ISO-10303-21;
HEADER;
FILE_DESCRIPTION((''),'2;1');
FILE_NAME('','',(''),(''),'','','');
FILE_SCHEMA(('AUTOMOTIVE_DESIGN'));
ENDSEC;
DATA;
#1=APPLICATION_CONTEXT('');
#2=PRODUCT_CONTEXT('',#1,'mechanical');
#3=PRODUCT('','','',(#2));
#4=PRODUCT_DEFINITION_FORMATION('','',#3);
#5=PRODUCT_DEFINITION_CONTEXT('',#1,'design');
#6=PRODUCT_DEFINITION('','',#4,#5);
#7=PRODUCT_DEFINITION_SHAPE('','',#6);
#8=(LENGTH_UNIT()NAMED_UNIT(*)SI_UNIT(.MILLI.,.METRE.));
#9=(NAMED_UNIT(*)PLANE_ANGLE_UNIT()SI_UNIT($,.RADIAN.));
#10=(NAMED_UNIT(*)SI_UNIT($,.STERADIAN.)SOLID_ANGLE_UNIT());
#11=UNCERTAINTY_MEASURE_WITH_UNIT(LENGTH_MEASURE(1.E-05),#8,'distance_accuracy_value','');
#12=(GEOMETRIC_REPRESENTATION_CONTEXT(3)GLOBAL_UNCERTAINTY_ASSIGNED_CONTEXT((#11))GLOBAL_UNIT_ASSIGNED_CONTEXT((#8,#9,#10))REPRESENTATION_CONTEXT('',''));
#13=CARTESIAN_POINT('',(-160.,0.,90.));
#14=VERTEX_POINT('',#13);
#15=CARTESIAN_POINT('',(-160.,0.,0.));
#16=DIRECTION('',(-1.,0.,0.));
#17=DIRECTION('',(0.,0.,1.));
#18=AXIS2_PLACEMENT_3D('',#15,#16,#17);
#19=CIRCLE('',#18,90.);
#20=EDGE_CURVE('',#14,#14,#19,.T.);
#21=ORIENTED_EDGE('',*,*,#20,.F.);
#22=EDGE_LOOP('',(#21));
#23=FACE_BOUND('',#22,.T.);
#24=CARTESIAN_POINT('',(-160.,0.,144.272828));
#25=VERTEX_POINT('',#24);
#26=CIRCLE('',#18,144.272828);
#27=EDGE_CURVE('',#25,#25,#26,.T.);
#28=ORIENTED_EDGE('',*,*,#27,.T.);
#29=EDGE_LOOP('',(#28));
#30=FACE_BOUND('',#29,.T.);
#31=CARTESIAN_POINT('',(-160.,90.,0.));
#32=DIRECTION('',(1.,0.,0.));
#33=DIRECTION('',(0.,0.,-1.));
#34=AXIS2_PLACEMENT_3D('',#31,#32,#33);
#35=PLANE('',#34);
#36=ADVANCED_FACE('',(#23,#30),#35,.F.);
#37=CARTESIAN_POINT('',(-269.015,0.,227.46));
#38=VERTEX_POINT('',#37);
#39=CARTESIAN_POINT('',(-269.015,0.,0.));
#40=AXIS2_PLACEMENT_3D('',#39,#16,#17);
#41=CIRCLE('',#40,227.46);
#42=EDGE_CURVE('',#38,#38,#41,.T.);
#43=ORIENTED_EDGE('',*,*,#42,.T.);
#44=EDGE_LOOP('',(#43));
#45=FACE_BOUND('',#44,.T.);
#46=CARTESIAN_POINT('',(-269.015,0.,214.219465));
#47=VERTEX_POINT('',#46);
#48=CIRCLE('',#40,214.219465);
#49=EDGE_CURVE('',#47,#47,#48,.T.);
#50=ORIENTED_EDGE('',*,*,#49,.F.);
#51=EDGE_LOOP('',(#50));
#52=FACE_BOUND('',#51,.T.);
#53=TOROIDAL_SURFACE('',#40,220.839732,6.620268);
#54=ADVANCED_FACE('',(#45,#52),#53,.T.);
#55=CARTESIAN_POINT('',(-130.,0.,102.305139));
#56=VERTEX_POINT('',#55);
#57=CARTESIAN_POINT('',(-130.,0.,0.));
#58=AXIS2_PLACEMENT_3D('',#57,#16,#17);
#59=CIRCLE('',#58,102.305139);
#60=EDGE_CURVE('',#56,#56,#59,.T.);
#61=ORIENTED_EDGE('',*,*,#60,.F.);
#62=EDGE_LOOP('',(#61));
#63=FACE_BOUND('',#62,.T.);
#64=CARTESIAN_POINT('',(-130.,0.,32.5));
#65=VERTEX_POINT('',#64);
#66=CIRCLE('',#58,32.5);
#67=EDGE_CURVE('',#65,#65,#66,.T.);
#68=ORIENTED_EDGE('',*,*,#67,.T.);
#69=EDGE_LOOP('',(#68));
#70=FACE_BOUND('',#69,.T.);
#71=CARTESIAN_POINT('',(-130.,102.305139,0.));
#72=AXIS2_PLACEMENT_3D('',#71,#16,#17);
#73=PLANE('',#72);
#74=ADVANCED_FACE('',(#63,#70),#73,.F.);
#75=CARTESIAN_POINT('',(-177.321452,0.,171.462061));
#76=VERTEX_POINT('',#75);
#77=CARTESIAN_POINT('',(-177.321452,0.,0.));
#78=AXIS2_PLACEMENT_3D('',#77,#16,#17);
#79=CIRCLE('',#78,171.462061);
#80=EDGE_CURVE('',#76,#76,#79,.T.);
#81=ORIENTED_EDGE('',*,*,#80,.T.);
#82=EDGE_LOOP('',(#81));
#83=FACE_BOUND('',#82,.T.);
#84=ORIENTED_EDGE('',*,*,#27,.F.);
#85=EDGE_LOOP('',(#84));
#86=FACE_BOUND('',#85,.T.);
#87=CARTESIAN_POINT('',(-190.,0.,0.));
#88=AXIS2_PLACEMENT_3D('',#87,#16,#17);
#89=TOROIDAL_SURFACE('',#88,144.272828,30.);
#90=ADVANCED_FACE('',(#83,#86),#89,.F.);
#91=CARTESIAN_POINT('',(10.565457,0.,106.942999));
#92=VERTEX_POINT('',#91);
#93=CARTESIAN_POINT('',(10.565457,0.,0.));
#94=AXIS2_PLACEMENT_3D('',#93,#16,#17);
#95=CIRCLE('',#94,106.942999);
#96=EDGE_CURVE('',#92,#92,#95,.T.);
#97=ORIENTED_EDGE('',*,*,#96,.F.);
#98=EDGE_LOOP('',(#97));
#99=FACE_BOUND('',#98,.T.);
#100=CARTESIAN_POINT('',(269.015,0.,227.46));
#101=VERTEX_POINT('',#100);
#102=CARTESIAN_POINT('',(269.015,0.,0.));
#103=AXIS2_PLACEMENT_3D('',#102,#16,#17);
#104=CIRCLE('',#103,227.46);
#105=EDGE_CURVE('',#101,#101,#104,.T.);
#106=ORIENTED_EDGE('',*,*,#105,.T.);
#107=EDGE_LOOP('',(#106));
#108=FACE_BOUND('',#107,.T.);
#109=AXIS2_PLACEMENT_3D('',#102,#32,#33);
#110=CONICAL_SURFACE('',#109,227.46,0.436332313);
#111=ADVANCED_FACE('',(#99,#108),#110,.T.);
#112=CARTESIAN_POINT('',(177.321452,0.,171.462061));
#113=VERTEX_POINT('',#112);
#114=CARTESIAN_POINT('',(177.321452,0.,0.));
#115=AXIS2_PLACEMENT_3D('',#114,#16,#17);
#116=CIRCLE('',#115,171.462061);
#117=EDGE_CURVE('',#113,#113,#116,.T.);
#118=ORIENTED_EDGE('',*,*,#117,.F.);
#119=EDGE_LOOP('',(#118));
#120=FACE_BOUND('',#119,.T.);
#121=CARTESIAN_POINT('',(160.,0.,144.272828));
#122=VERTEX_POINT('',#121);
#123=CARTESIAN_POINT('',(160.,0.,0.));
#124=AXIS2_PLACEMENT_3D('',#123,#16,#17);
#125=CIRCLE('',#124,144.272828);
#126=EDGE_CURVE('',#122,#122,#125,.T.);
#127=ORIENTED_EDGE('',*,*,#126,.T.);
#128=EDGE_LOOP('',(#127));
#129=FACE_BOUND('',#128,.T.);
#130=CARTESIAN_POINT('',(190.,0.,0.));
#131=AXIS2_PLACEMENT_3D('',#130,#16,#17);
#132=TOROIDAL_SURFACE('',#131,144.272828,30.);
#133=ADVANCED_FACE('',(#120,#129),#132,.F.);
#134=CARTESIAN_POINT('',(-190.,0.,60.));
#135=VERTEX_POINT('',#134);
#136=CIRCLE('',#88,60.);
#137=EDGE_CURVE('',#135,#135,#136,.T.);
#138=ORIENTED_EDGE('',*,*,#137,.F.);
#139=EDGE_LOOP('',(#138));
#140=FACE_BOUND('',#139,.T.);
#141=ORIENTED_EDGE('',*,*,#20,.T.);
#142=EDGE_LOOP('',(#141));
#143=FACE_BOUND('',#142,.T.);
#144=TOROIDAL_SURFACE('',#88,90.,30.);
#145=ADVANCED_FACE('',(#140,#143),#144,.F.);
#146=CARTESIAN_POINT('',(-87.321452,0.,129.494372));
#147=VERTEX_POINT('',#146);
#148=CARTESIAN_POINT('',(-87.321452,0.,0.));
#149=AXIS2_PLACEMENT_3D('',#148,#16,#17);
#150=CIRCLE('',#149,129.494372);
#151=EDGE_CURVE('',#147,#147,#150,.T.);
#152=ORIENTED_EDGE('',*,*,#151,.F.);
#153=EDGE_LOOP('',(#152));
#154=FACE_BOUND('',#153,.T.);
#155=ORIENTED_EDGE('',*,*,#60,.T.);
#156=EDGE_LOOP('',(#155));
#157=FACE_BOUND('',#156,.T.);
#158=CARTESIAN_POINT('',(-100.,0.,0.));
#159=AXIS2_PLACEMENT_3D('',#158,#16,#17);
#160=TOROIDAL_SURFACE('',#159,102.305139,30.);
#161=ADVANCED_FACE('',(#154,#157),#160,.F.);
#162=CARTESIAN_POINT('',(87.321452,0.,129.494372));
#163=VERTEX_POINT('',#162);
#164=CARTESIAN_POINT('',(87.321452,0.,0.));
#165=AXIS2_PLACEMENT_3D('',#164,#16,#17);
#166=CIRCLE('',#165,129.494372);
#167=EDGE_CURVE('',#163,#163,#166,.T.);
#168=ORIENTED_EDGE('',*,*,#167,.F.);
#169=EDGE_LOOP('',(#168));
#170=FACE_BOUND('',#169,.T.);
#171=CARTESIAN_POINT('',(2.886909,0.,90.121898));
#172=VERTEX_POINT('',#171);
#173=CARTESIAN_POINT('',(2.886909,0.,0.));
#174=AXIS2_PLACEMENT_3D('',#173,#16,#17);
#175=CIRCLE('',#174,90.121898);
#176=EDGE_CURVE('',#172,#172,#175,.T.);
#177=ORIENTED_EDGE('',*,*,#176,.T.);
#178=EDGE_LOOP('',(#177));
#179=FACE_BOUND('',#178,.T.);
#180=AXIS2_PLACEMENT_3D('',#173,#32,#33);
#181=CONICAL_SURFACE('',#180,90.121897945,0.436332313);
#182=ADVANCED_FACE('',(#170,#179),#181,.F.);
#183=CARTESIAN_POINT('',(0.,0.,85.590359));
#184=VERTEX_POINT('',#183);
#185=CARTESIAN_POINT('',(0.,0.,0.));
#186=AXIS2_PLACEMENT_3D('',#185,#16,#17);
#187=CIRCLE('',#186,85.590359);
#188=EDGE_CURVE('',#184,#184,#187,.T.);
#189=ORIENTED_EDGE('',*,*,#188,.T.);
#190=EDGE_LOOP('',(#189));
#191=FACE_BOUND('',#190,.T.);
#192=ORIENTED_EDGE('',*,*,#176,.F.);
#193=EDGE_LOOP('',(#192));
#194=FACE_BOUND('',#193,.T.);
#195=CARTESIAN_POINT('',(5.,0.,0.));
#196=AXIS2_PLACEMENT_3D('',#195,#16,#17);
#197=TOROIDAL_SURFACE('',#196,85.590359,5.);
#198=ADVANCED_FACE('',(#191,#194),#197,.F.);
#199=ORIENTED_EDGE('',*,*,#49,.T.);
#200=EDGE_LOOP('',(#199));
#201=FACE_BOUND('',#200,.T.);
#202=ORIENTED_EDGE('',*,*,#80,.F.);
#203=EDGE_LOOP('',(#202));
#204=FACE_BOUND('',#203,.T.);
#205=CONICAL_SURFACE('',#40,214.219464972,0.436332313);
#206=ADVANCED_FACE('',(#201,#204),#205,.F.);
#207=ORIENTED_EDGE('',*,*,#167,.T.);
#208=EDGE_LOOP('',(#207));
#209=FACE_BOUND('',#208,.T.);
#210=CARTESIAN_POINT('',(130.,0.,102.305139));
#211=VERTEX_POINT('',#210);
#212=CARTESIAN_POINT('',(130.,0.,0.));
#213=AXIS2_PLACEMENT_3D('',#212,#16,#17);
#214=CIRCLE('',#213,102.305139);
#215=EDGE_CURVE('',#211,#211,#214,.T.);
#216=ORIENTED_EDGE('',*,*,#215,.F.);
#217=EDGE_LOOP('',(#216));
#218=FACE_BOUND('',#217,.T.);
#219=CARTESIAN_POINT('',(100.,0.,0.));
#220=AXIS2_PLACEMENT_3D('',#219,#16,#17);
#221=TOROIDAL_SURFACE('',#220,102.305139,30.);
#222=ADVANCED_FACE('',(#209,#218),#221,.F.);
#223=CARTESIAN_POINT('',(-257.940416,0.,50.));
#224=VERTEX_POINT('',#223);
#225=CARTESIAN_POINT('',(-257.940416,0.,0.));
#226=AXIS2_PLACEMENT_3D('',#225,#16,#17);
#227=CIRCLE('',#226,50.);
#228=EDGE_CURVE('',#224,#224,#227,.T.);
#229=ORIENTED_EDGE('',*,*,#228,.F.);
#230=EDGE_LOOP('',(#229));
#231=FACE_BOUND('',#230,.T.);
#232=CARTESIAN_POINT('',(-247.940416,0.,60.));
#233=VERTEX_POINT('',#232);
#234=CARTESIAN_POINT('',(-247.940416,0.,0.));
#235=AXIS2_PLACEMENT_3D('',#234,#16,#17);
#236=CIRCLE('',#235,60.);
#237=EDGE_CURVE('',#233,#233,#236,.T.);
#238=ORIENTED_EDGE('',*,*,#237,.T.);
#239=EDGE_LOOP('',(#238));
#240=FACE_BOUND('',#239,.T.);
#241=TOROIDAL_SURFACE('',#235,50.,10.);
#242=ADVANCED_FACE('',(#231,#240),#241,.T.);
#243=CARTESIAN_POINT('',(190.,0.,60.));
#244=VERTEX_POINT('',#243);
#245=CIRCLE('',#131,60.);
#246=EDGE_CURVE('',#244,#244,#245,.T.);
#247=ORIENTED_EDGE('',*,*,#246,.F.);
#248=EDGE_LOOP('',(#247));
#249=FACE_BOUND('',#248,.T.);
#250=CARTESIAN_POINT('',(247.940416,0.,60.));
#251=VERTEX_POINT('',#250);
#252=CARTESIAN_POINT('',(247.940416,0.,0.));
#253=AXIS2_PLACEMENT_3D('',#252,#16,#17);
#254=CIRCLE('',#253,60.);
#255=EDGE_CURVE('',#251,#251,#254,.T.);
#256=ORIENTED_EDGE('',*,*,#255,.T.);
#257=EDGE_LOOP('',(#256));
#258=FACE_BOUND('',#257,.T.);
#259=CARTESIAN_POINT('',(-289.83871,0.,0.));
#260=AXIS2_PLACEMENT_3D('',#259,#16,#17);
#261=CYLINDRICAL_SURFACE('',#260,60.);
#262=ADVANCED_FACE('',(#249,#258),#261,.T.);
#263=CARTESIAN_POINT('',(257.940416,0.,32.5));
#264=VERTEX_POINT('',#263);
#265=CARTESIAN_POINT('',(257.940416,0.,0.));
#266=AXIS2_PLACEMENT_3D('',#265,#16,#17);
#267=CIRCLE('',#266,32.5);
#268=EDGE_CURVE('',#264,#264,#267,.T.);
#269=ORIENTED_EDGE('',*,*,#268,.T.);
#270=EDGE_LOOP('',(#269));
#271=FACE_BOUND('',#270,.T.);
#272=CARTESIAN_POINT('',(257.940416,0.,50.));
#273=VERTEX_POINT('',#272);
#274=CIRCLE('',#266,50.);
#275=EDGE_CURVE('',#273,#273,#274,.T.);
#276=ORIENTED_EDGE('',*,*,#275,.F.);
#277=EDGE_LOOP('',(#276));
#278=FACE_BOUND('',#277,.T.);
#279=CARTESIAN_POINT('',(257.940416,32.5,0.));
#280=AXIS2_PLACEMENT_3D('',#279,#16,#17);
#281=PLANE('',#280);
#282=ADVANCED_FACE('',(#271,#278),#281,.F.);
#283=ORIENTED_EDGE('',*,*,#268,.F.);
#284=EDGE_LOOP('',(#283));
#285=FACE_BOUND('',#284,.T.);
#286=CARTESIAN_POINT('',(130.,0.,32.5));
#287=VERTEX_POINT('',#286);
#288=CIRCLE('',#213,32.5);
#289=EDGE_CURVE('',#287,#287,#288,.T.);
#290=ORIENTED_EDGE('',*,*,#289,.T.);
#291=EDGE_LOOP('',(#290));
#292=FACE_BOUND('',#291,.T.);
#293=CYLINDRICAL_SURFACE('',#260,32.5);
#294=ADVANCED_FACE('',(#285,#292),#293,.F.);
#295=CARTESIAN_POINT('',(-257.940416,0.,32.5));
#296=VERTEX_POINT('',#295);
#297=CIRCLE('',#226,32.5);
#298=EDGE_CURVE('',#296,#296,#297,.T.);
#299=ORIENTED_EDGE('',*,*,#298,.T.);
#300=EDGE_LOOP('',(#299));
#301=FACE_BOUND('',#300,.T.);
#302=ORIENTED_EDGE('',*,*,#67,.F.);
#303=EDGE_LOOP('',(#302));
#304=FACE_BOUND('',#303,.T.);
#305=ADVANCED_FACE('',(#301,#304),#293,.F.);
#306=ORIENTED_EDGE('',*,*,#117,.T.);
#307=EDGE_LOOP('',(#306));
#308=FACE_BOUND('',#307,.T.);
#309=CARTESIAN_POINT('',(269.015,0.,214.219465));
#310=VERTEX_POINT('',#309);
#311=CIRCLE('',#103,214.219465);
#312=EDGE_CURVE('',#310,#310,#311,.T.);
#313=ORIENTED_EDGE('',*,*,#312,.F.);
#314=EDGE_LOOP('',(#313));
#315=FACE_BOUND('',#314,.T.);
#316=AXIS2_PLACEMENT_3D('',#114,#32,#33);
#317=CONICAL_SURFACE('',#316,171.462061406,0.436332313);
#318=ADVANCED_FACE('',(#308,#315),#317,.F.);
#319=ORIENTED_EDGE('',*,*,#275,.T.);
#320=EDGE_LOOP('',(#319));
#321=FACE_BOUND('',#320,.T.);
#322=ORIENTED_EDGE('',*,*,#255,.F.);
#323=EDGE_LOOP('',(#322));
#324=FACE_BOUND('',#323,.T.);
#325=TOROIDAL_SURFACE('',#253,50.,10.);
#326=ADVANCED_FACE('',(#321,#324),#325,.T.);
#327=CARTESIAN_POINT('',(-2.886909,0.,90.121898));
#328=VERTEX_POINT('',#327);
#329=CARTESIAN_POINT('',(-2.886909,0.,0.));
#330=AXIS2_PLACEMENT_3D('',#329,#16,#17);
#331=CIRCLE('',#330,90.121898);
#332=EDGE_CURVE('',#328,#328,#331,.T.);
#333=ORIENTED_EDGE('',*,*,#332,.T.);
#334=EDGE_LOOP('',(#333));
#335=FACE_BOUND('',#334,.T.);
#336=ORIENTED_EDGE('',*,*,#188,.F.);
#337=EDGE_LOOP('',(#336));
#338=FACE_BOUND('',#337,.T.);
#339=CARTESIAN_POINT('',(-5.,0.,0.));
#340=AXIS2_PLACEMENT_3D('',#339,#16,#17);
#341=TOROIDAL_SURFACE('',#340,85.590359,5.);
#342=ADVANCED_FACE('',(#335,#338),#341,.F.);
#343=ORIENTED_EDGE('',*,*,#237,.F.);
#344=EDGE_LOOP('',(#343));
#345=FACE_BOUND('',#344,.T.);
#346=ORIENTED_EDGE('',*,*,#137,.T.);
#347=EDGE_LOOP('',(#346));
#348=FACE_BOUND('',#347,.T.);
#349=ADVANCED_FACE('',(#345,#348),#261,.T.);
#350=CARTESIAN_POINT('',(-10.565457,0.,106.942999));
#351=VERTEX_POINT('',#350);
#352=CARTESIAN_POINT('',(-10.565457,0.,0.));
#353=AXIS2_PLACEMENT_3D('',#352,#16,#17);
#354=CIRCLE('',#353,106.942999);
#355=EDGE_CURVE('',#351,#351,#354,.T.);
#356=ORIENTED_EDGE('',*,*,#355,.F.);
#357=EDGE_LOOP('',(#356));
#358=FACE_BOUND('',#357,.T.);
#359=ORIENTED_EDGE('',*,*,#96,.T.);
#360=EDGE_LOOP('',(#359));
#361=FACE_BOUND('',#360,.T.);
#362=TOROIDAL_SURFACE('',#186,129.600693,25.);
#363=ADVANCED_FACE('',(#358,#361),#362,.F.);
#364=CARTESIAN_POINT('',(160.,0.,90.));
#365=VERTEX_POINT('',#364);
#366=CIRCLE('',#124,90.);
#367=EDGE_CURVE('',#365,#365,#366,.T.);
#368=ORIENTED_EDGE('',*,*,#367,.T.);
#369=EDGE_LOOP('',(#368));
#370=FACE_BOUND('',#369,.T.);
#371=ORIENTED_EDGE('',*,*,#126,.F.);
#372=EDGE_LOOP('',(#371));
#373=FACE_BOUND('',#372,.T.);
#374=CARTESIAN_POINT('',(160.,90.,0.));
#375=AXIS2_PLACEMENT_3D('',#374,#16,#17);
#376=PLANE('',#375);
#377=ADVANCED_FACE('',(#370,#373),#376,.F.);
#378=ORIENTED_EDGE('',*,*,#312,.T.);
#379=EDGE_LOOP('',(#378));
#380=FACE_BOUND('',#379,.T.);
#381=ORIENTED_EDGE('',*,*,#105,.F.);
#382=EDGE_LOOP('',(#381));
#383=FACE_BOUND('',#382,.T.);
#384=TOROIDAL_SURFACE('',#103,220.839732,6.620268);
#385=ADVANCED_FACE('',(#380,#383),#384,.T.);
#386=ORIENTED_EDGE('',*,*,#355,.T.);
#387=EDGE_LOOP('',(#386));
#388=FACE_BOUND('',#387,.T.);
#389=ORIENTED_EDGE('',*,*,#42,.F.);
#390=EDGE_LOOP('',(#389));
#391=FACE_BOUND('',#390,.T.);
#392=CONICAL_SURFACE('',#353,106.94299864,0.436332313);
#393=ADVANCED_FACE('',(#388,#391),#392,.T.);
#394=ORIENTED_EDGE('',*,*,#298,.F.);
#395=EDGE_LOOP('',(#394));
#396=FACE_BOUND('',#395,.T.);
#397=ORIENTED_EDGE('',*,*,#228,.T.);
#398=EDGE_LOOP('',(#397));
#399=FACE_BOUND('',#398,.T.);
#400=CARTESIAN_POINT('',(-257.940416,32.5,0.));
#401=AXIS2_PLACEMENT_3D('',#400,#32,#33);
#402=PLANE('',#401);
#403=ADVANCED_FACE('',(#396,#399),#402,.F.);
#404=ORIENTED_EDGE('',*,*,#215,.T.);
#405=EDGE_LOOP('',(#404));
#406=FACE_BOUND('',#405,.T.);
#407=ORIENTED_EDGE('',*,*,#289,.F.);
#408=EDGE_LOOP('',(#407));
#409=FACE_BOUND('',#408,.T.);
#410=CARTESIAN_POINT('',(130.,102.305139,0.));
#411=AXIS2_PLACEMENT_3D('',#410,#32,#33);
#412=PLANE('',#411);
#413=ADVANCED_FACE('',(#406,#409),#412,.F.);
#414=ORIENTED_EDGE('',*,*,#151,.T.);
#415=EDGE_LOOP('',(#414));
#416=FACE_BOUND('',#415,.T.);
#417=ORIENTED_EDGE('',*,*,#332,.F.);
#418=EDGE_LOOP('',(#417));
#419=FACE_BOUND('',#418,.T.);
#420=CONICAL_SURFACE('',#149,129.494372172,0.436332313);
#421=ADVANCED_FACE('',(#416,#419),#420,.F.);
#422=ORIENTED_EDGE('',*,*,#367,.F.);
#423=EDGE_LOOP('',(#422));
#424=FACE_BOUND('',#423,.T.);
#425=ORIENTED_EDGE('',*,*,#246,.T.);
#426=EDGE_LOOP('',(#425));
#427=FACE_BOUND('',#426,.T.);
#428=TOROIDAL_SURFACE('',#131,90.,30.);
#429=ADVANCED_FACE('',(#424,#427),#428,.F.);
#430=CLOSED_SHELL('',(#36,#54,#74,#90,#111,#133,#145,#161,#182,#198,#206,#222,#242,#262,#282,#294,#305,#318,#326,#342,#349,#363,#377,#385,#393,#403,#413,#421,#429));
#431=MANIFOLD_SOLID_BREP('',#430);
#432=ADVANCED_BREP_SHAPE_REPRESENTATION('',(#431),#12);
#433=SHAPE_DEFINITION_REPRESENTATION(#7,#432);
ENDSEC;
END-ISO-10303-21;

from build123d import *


with BuildPart() as part:
    # Sketch1 → Revolve1 (revolve)
    with BuildSketch(Plane.XY, mode=Mode.PRIVATE) as revolve1_sk:
        with BuildLine():
            Line((-2.886908691, 90.121897945), (-87.321452148, 129.494372172))
            ThreePointArc((-87.321452148, 129.494372172), (-116.11898825, 127.606881935), (-130, 102.305138561))
            Line((-130, 102.305138561), (-130, 32.5))
            Line((-130, 32.5), (-257.940415619, 32.5))
            Line((-257.940415619, 32.5), (-257.940415619, 50))
            ThreePointArc((-257.940415619, 50), (-255.011483431, 57.071067812), (-247.940415619, 60))
            Line((-247.940415619, 60), (-190, 60))
            ThreePointArc((-190, 60), (-168.786796564, 68.786796564), (-160, 90))
            Line((-160, 90), (-160, 144.272827794))
            ThreePointArc((-160, 144.272827794), (-164.698256626, 160.391816045), (-177.321452148, 171.462061406))
            Line((-177.321452148, 171.462061406), (-269.015, 214.219464972))
            ThreePointArc((-269.015, 214.219464972), (-275.635267514, 220.839732486), (-269.015, 227.46))
            Line((-269.015, 227.46), (-10.565456544, 106.94299864))
            ThreePointArc((-10.565456544, 106.94299864), (0, 104.600693315), (10.565456544, 106.94299864))
            Line((10.565456544, 106.94299864), (269.015, 227.46))
            ThreePointArc((269.015, 227.46), (275.635267514, 220.839732486), (269.015, 214.219464972))
            Line((269.015, 214.219464972), (177.321452148, 171.462061406))
            ThreePointArc((177.321452148, 171.462061406), (164.698256626, 160.391816045), (160, 144.272827794))
            Line((160, 144.272827794), (160, 90))
            ThreePointArc((160, 90), (168.786796564, 68.786796564), (190, 60))
            Line((190, 60), (247.940415619, 60))
            ThreePointArc((247.940415619, 60), (255.011483431, 57.071067812), (257.940415619, 50))
            Line((257.940415619, 50), (257.940415619, 32.5))
            Line((257.940415619, 32.5), (130, 32.5))
            Line((130, 32.5), (130, 102.305138561))
            ThreePointArc((130, 102.305138561), (116.11898825, 127.606881935), (87.321452148, 129.494372172))
            Line((87.321452148, 129.494372172), (2.886908691, 90.121897945))
            ThreePointArc((2.886908691, 90.121897945), (0.783042771, 88.276857052), (0, 85.59035901))
            ThreePointArc((0, 85.59035901), (-0.783042771, 88.276857052), (-2.886908691, 90.121897945))
        make_face()
    revolve(revolve1_sk.sketch.rotate(Axis((-289.838709677, 0, 0), (1, 0, 0)), 90), axis=Axis((-289.838709677, 0, 0), (1, 0, 0)))


solid = part.part
